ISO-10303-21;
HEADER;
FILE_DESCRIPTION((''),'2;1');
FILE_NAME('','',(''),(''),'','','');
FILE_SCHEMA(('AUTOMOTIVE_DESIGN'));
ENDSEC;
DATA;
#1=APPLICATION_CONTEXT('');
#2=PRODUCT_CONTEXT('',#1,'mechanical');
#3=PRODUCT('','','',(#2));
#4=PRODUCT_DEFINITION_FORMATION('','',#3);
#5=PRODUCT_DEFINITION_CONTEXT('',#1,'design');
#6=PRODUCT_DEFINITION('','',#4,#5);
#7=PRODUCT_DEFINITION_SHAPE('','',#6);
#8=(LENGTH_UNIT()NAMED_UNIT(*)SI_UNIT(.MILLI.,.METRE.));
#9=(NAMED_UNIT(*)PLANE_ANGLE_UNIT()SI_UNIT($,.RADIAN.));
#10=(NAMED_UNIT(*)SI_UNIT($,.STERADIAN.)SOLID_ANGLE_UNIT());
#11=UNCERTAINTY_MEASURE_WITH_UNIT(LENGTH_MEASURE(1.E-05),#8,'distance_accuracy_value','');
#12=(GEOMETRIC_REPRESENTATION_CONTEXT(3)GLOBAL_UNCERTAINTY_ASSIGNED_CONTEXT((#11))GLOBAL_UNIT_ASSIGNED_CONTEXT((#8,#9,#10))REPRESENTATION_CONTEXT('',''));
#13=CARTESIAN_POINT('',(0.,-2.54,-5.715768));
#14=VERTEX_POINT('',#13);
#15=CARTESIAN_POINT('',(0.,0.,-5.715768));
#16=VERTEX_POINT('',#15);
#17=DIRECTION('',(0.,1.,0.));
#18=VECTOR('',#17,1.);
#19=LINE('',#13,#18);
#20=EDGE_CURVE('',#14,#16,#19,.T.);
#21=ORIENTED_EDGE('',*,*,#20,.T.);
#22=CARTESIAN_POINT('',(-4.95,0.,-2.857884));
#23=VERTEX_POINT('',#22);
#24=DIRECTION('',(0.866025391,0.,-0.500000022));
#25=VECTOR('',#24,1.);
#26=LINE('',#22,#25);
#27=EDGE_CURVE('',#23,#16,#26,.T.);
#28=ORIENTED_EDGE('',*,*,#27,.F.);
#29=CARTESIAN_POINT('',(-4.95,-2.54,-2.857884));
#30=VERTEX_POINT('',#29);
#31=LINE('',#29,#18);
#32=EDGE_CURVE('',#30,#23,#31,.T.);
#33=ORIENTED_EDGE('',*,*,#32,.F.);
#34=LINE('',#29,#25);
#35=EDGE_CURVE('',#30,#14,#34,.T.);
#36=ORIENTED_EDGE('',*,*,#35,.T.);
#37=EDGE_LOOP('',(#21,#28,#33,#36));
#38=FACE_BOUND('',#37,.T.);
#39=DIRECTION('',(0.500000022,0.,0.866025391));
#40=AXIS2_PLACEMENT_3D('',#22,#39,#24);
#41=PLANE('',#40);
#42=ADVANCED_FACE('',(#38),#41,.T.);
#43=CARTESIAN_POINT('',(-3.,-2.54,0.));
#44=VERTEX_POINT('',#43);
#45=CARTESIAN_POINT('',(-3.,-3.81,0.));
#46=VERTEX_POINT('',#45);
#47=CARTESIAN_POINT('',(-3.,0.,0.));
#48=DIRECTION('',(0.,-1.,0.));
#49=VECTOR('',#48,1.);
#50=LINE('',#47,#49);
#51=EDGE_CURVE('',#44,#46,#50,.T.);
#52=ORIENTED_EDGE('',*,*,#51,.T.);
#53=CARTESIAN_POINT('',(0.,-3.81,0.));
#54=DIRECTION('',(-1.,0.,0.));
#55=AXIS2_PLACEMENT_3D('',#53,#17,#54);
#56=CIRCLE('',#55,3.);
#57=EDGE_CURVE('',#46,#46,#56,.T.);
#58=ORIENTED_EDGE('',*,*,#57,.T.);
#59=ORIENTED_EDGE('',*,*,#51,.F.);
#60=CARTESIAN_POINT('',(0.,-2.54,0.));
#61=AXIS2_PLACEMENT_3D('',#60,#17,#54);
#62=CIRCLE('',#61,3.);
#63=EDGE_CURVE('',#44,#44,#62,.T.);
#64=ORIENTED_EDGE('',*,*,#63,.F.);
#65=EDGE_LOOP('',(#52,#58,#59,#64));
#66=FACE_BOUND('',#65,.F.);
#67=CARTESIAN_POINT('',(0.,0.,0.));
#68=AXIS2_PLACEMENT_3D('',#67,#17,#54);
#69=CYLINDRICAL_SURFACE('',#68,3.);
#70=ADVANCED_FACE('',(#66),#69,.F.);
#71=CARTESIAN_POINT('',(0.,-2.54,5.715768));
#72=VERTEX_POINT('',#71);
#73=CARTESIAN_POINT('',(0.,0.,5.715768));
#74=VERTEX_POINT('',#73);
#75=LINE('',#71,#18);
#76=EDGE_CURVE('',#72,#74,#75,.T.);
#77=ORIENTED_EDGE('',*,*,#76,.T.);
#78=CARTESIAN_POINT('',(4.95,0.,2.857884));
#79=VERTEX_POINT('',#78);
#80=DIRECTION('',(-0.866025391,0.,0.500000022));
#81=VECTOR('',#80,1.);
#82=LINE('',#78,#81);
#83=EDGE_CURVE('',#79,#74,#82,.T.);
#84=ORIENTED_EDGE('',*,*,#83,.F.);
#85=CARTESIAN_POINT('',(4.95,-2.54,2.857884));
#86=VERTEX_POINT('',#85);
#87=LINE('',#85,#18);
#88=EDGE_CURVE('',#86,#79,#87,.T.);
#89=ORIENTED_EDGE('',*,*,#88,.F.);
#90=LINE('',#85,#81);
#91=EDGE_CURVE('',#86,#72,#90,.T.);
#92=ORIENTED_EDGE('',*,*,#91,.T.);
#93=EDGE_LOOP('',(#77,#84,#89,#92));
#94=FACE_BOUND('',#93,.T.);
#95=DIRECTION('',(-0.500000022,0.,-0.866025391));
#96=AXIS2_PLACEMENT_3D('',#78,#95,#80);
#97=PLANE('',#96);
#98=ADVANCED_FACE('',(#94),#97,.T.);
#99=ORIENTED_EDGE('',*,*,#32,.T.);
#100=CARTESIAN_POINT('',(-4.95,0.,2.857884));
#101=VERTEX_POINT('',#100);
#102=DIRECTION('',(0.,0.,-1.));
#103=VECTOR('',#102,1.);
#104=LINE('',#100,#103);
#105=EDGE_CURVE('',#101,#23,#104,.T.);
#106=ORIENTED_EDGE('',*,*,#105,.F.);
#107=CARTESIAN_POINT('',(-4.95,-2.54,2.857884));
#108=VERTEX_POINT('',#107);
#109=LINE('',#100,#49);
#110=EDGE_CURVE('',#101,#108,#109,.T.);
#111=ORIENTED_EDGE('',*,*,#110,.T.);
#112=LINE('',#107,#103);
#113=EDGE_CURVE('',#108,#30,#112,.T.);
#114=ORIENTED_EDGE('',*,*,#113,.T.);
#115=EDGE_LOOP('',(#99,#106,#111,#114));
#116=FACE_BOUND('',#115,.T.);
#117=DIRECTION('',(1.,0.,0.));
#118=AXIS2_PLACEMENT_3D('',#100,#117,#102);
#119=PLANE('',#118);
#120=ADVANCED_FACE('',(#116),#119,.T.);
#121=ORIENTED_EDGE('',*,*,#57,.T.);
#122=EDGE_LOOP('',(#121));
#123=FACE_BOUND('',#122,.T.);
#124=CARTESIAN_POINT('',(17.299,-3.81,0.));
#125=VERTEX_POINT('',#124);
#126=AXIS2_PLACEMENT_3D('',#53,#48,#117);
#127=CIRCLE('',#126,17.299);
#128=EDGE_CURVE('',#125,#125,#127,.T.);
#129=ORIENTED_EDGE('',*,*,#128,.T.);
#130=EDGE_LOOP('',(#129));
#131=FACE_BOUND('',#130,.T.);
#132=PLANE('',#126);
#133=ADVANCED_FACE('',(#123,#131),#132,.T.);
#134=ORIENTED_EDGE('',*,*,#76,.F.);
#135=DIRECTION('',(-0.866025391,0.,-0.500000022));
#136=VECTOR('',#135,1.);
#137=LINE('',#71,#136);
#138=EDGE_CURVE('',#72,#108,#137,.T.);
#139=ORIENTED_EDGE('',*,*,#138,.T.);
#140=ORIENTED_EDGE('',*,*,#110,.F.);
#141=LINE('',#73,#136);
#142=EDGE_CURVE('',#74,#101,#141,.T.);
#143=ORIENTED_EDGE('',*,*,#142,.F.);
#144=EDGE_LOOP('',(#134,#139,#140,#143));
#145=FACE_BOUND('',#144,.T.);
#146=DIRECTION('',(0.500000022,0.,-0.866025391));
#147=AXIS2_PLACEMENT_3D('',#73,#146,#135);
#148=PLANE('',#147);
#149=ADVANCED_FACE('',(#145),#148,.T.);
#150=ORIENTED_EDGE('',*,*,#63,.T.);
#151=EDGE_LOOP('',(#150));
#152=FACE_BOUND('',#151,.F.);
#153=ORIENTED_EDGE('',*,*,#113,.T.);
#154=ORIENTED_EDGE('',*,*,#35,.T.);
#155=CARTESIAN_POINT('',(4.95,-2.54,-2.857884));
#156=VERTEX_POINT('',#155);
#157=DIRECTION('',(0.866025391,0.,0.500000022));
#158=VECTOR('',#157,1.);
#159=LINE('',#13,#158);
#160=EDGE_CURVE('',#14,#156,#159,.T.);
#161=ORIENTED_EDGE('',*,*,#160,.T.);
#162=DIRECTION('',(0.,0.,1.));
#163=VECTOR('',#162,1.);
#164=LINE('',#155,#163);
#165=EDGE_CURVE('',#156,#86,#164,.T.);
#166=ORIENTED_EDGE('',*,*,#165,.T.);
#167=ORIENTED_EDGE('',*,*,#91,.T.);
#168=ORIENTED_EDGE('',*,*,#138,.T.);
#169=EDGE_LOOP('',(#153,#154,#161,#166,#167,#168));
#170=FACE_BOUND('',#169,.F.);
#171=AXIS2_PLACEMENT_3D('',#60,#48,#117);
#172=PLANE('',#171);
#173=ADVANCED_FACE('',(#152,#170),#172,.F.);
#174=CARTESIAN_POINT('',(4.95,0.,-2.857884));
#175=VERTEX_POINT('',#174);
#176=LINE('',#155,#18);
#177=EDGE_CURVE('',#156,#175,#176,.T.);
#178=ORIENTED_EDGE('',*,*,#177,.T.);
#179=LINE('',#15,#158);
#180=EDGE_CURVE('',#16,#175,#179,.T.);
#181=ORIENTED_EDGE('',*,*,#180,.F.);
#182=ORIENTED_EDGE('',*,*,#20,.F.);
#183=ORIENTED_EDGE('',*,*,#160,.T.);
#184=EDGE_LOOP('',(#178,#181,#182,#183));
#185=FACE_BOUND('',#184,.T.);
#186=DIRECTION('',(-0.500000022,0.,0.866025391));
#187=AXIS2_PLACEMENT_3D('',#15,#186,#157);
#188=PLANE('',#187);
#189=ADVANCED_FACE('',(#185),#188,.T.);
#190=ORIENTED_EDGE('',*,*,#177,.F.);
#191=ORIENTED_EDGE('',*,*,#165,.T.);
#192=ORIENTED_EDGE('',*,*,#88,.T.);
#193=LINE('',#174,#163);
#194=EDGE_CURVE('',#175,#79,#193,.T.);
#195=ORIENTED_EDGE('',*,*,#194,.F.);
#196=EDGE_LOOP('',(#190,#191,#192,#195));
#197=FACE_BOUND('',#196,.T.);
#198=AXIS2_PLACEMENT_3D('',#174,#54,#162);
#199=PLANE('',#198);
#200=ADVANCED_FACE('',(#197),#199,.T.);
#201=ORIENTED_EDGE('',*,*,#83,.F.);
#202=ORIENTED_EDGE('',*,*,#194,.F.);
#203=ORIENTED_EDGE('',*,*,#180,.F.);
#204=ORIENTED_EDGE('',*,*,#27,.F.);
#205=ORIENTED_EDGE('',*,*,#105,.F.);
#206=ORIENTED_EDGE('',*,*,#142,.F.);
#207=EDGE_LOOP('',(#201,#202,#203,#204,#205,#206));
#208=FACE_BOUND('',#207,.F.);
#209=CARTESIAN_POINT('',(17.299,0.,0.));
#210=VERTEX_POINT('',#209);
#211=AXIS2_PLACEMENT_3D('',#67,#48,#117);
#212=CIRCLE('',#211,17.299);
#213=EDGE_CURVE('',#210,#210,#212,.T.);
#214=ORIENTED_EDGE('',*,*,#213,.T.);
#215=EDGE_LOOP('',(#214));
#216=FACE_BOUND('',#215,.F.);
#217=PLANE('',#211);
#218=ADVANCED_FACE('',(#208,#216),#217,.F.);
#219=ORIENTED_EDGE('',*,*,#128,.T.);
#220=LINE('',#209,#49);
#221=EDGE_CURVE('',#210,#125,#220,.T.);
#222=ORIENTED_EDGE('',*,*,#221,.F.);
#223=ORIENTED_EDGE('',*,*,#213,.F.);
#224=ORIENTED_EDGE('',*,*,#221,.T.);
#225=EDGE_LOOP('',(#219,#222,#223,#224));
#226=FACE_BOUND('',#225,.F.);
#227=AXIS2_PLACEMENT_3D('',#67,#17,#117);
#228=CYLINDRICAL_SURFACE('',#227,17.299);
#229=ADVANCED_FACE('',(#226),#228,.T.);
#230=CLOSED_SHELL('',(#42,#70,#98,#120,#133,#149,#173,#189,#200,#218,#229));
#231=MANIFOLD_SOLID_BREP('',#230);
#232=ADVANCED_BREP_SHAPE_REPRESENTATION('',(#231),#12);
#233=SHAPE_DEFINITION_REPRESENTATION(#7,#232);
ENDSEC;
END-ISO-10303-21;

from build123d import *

# Parameters (mm, degrees)
F0_R     = 17.299
F1_DEPTH = 3.81
F3_DEPTH = 1.27
F4_DEPTH = 2.54
F5_R     = 3
F6_DEPTH = 3.811


with BuildPart() as f1:
    # F0 (on Front) → F1 (new body)
    with BuildSketch(Plane.XZ):
        Circle(F0_R)
    extrude(amount=F1_DEPTH)

    # F2 (on Front) → F3 (cut)
    with BuildSketch(Plane.XZ):
        Polygon((-4.95, 2.857884), (-4.95, -2.857884), (0, -5.715768), (4.95, -2.857884), (4.95, 2.857884), (0, 5.715768), align=None)
    extrude(amount=F3_DEPTH, mode=Mode.SUBTRACT)

    # F2 (on Front) → F4 (cut)
    with BuildSketch(Plane.XZ):
        Polygon((-4.95, 2.857884), (-4.95, -2.857884), (0, -5.715768), (4.95, -2.857884), (4.95, 2.857884), (0, 5.715768), align=None)
    extrude(amount=F4_DEPTH, mode=Mode.SUBTRACT)

    # F5 (on face) → F6 (cut, through all)
    with BuildSketch(Plane(origin=(0, 0, 0), x_dir=(-1, 0, 0), z_dir=(0, 1, 0))):
        Circle(F5_R)
    extrude(amount=-F6_DEPTH, mode=Mode.SUBTRACT)


solid = f1.part
